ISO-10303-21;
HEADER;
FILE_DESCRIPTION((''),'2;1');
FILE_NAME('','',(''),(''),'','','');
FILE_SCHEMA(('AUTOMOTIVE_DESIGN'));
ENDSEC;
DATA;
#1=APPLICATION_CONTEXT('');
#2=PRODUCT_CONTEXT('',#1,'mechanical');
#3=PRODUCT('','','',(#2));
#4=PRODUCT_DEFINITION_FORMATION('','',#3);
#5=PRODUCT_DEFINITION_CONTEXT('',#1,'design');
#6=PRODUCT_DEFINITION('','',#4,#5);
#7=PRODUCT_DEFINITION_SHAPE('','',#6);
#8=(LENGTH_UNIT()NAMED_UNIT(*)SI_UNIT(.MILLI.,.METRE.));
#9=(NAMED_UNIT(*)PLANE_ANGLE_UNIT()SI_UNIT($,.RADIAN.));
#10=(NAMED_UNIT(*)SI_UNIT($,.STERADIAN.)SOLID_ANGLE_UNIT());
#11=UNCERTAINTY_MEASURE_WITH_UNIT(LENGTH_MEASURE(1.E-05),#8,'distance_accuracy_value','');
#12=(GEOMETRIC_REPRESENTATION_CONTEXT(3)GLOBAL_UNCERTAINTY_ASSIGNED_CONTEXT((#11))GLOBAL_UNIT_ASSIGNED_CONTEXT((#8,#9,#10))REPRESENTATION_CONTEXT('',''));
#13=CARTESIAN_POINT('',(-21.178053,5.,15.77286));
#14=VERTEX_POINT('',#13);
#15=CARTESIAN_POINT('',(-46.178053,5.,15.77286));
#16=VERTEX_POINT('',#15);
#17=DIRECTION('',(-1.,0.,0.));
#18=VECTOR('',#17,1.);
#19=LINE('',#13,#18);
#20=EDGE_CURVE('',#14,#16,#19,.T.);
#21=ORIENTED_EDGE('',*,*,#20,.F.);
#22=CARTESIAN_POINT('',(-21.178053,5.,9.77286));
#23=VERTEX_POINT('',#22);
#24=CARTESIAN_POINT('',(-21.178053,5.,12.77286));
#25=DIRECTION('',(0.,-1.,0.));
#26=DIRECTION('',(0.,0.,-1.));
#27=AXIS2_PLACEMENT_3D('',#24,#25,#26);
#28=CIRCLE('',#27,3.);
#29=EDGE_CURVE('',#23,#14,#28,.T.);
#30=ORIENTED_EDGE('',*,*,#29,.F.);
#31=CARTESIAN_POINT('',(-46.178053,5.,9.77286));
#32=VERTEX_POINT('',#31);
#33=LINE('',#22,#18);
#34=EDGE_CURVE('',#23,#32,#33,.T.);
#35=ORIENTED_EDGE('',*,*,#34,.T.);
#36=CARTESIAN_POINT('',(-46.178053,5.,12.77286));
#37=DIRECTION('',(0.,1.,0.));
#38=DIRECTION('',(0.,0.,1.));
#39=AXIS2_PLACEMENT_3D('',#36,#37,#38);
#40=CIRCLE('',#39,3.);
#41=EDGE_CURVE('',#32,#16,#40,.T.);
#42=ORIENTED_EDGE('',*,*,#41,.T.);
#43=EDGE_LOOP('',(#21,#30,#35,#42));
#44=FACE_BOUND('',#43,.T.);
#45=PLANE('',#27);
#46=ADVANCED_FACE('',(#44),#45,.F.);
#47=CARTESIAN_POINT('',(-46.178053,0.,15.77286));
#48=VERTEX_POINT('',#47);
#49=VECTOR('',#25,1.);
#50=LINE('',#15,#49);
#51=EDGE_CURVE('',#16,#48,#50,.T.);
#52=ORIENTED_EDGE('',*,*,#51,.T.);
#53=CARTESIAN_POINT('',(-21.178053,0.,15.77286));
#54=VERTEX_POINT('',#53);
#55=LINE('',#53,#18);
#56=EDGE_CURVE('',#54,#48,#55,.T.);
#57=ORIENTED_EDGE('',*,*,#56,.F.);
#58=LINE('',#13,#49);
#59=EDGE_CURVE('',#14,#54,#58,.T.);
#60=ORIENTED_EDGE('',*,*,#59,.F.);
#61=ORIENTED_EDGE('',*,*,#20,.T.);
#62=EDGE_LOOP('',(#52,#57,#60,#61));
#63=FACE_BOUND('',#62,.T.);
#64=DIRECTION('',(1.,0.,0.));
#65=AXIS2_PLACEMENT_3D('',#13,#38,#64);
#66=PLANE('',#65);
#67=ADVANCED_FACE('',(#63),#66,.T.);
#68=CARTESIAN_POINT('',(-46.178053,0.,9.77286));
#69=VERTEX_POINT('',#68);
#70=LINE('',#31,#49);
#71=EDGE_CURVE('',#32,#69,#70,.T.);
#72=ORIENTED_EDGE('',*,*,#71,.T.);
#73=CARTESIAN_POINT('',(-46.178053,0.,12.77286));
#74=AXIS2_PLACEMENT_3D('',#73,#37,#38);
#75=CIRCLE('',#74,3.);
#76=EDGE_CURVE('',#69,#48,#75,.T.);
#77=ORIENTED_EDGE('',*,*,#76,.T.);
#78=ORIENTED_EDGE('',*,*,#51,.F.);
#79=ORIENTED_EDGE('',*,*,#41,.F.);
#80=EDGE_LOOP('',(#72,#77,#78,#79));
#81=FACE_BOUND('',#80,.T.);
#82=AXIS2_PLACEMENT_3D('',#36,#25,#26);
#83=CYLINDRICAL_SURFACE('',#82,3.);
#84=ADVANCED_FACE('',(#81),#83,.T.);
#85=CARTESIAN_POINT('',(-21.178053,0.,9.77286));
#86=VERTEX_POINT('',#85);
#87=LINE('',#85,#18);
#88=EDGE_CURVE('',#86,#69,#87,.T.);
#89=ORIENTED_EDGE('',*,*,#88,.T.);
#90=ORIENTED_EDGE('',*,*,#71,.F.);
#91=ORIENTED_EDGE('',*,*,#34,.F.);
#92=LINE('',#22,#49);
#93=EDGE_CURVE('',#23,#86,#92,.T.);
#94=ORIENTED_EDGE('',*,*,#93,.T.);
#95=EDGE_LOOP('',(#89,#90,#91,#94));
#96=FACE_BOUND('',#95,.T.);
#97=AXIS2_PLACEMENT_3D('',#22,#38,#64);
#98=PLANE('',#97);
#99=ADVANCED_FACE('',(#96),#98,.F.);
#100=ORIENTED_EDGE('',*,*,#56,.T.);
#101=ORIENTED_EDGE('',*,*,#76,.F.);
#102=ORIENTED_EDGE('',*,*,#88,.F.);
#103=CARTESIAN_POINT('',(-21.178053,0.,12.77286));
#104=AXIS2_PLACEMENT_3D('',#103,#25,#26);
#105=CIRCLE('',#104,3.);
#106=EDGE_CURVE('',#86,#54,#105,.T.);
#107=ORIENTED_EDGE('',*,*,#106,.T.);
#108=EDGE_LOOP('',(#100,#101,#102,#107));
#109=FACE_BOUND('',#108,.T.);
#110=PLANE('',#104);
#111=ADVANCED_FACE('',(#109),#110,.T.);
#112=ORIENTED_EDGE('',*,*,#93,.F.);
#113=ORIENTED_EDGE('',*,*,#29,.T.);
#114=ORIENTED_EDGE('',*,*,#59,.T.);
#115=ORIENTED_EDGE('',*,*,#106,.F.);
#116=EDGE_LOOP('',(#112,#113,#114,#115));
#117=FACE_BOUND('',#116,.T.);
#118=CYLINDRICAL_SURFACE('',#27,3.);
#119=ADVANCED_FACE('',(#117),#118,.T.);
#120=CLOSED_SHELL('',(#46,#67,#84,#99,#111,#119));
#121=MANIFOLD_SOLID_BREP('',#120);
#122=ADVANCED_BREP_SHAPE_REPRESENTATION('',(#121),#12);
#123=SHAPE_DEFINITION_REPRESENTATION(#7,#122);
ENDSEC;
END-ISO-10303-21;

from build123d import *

# Parameters (mm, degrees)
BOSS_EXTRU_1_DEPTH = 5


with BuildPart() as part:
    # Esquisse1 → Boss.-Extru.1 (new body)
    with BuildSketch(Plane(origin=(0, 0, 0), x_dir=(1, 0, 0), z_dir=(0, 1, 0))):
        with BuildLine():
            Line((-21.178052638, -15.772859634), (-46.178052638, -15.772859634))
            ThreePointArc((-46.178052638, -15.772859634), (-49.178052638, -12.772859634), (-46.178052638, -9.772859634))
            Line((-46.178052638, -9.772859634), (-21.178052638, -9.772859634))
            ThreePointArc((-21.178052638, -9.772859634), (-18.178052638, -12.772859634), (-21.178052638, -15.772859634))
        make_face()
    extrude(amount=BOSS_EXTRU_1_DEPTH)


solid = part.part
